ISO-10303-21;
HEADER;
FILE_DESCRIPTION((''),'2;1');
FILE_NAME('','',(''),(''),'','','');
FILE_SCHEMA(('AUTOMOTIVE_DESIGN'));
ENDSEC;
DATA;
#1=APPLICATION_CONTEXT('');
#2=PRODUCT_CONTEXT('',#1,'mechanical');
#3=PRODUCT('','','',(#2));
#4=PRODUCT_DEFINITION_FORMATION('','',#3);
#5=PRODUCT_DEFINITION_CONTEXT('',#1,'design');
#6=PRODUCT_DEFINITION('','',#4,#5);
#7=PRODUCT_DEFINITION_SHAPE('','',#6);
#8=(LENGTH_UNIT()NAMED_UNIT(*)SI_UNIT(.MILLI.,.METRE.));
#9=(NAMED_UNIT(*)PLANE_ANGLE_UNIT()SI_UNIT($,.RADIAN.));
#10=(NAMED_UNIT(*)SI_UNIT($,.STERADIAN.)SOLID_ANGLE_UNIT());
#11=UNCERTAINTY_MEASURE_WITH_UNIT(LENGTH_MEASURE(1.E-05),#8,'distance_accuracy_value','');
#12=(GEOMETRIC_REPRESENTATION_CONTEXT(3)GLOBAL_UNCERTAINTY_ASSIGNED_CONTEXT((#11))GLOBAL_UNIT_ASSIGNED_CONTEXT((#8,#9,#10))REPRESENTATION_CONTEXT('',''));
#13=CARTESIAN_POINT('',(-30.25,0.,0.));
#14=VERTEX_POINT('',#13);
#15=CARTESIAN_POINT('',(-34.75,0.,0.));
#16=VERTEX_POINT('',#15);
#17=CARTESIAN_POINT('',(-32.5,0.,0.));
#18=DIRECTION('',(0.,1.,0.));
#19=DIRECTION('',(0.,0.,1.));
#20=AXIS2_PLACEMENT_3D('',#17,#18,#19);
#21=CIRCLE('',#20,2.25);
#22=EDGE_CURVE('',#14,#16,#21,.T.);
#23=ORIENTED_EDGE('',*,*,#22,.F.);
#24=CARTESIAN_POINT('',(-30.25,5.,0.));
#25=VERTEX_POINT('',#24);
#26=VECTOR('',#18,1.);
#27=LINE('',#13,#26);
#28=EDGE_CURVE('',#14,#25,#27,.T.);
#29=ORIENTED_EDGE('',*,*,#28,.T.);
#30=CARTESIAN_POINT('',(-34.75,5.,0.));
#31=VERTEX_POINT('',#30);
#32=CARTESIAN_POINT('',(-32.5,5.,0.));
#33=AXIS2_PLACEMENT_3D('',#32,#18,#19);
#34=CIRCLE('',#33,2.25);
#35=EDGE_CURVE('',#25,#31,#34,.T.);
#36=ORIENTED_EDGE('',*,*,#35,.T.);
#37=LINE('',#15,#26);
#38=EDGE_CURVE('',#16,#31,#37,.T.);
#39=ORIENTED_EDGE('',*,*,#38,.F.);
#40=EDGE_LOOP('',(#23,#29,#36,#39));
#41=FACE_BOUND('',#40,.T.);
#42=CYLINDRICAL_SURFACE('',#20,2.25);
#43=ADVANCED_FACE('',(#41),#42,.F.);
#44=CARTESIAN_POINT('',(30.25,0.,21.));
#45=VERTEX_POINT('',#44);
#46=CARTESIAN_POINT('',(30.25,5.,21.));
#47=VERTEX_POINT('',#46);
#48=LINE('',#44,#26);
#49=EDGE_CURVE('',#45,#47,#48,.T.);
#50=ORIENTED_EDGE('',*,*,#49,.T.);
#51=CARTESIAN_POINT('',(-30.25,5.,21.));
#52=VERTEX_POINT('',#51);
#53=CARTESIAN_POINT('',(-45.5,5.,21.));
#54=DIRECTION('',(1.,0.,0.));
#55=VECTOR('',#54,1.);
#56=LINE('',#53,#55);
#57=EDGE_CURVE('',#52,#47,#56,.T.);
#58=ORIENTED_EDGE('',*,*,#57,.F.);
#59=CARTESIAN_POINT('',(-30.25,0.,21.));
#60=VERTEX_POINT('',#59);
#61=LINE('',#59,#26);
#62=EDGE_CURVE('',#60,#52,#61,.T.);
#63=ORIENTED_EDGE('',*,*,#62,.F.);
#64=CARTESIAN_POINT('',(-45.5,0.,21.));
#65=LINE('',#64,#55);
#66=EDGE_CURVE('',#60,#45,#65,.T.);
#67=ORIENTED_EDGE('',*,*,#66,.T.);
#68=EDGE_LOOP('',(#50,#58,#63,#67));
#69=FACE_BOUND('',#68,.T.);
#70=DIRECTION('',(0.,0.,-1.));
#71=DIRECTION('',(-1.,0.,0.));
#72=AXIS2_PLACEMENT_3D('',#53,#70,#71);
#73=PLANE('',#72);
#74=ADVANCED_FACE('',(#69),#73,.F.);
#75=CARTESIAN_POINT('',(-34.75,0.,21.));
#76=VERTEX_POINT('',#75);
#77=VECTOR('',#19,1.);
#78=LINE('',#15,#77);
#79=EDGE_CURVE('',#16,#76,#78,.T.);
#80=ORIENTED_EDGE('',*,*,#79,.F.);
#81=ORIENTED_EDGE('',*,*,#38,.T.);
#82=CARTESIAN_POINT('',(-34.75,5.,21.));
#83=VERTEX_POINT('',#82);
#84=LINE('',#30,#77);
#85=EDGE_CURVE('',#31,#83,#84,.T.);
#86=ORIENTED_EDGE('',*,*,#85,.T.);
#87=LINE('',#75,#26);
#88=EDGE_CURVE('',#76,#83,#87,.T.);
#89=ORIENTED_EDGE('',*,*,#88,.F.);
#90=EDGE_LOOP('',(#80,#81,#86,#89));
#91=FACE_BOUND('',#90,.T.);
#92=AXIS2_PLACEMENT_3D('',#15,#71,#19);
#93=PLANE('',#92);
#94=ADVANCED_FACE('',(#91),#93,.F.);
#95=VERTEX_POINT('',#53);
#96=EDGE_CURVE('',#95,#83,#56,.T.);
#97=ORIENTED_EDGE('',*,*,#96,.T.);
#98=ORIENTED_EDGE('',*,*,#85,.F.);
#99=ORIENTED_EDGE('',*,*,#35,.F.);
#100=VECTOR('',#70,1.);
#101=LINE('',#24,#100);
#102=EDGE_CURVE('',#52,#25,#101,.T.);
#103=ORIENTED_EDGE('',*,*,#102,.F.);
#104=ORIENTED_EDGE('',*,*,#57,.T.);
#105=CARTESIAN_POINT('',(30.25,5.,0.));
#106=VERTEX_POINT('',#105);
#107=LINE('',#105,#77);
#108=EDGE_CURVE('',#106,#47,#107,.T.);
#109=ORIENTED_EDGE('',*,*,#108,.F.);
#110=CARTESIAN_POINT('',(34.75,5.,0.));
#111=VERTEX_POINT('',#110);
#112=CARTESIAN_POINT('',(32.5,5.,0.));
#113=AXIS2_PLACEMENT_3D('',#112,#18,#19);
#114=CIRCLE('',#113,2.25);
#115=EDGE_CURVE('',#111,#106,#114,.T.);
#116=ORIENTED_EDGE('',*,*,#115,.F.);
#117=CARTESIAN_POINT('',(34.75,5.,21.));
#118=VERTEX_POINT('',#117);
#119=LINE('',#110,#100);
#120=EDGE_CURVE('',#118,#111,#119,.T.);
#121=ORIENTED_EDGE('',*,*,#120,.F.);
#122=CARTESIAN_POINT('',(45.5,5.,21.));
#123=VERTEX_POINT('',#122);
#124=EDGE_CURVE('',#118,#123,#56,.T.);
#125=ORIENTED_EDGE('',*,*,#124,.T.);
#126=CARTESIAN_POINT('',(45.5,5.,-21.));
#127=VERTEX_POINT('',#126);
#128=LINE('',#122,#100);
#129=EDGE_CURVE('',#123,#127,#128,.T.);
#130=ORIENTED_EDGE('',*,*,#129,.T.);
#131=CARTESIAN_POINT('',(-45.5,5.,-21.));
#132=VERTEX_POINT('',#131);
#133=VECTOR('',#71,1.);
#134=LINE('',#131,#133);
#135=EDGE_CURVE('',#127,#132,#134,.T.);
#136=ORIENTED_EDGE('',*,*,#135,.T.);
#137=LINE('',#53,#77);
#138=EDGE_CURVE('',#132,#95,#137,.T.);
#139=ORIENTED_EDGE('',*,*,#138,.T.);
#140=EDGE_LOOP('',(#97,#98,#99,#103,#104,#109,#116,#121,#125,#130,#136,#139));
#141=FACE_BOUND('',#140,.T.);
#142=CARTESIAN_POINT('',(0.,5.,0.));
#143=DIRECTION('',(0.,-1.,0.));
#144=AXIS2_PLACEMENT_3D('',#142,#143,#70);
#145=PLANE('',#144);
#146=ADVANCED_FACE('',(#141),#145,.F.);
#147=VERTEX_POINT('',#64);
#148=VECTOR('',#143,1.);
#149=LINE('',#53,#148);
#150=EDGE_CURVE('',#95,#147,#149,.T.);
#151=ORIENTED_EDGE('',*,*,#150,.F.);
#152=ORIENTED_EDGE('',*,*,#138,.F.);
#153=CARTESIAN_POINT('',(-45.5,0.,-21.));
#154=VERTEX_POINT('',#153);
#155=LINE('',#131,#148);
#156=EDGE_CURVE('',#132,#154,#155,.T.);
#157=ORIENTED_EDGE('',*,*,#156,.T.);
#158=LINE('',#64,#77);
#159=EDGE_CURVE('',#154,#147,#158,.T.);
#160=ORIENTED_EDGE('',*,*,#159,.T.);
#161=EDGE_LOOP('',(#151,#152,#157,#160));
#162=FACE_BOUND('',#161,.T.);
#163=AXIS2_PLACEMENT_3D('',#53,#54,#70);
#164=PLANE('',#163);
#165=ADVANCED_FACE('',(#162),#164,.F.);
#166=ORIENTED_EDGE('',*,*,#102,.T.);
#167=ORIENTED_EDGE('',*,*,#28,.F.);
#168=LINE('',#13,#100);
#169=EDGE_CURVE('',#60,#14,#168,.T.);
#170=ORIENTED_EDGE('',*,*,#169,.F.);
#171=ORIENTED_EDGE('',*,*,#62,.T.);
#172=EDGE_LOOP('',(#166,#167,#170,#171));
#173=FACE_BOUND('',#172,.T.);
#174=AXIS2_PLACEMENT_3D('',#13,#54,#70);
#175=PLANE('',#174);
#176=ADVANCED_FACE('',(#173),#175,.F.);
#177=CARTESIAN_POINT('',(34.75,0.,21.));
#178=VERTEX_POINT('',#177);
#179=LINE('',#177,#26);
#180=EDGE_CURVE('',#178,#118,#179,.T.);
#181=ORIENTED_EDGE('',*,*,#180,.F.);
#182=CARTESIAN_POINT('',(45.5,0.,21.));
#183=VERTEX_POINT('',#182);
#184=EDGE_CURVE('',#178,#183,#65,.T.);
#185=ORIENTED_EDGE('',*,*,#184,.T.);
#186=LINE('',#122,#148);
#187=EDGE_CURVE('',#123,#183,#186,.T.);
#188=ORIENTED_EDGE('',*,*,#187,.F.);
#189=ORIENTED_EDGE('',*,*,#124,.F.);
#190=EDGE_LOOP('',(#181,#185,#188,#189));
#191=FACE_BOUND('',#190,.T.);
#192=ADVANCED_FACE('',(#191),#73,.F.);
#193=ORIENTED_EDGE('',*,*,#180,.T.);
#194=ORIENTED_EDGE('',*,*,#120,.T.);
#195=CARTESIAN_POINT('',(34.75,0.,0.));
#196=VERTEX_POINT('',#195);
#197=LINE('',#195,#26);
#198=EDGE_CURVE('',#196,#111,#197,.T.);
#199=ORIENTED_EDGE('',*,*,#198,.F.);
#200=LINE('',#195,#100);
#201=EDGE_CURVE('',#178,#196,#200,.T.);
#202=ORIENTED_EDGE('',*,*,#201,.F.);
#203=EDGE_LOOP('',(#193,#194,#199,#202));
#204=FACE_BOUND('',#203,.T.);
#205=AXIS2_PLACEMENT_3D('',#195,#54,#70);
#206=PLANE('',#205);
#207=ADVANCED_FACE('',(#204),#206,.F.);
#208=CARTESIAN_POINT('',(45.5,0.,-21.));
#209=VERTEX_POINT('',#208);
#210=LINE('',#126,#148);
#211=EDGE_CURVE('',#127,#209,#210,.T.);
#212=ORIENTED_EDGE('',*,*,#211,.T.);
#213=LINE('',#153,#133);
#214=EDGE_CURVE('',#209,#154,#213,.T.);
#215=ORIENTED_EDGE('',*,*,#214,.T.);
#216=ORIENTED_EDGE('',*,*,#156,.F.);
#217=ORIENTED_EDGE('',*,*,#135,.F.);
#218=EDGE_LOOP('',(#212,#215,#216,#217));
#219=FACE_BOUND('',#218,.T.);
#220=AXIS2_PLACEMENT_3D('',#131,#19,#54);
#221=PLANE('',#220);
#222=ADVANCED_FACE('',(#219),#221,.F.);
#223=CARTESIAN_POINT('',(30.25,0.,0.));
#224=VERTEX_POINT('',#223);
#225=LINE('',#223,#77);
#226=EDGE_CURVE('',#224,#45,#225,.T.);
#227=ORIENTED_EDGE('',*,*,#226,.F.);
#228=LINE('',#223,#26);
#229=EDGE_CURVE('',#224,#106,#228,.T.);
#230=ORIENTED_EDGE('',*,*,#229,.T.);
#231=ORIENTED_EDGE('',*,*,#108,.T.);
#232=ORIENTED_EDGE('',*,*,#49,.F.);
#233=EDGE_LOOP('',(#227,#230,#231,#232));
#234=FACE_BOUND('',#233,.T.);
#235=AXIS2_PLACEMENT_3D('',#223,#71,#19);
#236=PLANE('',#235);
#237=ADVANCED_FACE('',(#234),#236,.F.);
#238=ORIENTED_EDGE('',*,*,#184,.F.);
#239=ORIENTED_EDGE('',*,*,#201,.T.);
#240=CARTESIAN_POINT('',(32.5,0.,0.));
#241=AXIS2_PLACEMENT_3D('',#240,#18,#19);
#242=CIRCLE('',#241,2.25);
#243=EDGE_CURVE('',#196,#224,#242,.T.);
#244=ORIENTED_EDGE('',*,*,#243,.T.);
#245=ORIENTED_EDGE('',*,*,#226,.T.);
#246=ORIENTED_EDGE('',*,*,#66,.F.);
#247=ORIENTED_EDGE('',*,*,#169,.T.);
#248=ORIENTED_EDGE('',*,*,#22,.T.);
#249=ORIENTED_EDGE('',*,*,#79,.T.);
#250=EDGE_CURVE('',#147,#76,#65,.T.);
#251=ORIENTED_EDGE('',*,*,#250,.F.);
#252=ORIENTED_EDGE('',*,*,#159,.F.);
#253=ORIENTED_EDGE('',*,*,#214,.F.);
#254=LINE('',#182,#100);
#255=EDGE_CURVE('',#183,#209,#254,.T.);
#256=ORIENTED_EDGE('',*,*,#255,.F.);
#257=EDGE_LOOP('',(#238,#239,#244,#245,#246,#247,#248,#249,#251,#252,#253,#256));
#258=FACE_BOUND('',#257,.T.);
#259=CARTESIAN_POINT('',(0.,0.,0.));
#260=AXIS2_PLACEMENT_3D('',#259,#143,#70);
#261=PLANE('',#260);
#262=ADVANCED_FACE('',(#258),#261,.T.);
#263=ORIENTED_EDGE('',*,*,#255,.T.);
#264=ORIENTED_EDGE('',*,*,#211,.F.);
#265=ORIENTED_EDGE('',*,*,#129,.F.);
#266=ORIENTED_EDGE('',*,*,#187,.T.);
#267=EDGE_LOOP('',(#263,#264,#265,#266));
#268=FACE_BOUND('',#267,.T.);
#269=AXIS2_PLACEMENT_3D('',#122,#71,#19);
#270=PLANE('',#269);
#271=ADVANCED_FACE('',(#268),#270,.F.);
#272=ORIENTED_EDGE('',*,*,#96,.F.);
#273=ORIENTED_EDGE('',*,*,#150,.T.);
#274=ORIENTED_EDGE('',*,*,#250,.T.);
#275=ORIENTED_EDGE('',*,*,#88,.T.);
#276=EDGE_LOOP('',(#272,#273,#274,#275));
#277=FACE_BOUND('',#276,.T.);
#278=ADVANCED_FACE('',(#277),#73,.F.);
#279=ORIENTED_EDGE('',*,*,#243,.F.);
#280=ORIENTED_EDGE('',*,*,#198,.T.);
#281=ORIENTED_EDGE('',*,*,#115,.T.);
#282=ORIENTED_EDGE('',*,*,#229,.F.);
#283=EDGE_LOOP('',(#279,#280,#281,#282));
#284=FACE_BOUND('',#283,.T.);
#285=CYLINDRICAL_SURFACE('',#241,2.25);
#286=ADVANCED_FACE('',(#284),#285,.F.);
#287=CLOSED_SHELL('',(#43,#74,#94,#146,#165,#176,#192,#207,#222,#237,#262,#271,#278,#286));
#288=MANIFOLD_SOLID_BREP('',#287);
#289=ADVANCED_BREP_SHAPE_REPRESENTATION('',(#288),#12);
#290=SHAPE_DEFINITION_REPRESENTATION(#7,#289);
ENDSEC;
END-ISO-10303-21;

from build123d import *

# Parameters (mm, degrees)
SKETCH_1_W          = 91
SKETCH_1_H          = 42
EXTRUDE_1_DEPTH     = 5
CUT_EXTRUDE_1_DEPTH = 5


with BuildPart() as part:
    # 스케치1 → 보스-돌출1 (new body)
    with BuildSketch(Plane(origin=(0, 0, 0), x_dir=(1, 0, 0), z_dir=(0, 1, 0))):
        Rectangle(SKETCH_1_W, SKETCH_1_H)
    extrude(amount=EXTRUDE_1_DEPTH)

    # 스케치2 → 컷-돌출1 (cut)
    with BuildSketch(Plane(origin=(0, 5, 0), x_dir=(1, 0, 0), z_dir=(0, 1, 0))):
        with BuildLine():
            Line((34.75, 0), (34.75, -21))
            ThreePointArc((34.75, -21), (32.5, -23.25), (30.25, -21))
            Line((30.25, -21), (30.25, 0))
            ThreePointArc((30.25, 0), (32.5, 2.25), (34.75, 0))
        make_face()
        with BuildLine():
            Line((-30.25, 0), (-30.25, -21))
            ThreePointArc((-30.25, -21), (-32.5, -23.25), (-34.75, -21))
            Line((-34.75, -21), (-34.75, 0))
            ThreePointArc((-34.75, 0), (-32.5, 2.25), (-30.25, 0))
        make_face()
    extrude(amount=-CUT_EXTRUDE_1_DEPTH, mode=Mode.SUBTRACT)


solid = part.part
